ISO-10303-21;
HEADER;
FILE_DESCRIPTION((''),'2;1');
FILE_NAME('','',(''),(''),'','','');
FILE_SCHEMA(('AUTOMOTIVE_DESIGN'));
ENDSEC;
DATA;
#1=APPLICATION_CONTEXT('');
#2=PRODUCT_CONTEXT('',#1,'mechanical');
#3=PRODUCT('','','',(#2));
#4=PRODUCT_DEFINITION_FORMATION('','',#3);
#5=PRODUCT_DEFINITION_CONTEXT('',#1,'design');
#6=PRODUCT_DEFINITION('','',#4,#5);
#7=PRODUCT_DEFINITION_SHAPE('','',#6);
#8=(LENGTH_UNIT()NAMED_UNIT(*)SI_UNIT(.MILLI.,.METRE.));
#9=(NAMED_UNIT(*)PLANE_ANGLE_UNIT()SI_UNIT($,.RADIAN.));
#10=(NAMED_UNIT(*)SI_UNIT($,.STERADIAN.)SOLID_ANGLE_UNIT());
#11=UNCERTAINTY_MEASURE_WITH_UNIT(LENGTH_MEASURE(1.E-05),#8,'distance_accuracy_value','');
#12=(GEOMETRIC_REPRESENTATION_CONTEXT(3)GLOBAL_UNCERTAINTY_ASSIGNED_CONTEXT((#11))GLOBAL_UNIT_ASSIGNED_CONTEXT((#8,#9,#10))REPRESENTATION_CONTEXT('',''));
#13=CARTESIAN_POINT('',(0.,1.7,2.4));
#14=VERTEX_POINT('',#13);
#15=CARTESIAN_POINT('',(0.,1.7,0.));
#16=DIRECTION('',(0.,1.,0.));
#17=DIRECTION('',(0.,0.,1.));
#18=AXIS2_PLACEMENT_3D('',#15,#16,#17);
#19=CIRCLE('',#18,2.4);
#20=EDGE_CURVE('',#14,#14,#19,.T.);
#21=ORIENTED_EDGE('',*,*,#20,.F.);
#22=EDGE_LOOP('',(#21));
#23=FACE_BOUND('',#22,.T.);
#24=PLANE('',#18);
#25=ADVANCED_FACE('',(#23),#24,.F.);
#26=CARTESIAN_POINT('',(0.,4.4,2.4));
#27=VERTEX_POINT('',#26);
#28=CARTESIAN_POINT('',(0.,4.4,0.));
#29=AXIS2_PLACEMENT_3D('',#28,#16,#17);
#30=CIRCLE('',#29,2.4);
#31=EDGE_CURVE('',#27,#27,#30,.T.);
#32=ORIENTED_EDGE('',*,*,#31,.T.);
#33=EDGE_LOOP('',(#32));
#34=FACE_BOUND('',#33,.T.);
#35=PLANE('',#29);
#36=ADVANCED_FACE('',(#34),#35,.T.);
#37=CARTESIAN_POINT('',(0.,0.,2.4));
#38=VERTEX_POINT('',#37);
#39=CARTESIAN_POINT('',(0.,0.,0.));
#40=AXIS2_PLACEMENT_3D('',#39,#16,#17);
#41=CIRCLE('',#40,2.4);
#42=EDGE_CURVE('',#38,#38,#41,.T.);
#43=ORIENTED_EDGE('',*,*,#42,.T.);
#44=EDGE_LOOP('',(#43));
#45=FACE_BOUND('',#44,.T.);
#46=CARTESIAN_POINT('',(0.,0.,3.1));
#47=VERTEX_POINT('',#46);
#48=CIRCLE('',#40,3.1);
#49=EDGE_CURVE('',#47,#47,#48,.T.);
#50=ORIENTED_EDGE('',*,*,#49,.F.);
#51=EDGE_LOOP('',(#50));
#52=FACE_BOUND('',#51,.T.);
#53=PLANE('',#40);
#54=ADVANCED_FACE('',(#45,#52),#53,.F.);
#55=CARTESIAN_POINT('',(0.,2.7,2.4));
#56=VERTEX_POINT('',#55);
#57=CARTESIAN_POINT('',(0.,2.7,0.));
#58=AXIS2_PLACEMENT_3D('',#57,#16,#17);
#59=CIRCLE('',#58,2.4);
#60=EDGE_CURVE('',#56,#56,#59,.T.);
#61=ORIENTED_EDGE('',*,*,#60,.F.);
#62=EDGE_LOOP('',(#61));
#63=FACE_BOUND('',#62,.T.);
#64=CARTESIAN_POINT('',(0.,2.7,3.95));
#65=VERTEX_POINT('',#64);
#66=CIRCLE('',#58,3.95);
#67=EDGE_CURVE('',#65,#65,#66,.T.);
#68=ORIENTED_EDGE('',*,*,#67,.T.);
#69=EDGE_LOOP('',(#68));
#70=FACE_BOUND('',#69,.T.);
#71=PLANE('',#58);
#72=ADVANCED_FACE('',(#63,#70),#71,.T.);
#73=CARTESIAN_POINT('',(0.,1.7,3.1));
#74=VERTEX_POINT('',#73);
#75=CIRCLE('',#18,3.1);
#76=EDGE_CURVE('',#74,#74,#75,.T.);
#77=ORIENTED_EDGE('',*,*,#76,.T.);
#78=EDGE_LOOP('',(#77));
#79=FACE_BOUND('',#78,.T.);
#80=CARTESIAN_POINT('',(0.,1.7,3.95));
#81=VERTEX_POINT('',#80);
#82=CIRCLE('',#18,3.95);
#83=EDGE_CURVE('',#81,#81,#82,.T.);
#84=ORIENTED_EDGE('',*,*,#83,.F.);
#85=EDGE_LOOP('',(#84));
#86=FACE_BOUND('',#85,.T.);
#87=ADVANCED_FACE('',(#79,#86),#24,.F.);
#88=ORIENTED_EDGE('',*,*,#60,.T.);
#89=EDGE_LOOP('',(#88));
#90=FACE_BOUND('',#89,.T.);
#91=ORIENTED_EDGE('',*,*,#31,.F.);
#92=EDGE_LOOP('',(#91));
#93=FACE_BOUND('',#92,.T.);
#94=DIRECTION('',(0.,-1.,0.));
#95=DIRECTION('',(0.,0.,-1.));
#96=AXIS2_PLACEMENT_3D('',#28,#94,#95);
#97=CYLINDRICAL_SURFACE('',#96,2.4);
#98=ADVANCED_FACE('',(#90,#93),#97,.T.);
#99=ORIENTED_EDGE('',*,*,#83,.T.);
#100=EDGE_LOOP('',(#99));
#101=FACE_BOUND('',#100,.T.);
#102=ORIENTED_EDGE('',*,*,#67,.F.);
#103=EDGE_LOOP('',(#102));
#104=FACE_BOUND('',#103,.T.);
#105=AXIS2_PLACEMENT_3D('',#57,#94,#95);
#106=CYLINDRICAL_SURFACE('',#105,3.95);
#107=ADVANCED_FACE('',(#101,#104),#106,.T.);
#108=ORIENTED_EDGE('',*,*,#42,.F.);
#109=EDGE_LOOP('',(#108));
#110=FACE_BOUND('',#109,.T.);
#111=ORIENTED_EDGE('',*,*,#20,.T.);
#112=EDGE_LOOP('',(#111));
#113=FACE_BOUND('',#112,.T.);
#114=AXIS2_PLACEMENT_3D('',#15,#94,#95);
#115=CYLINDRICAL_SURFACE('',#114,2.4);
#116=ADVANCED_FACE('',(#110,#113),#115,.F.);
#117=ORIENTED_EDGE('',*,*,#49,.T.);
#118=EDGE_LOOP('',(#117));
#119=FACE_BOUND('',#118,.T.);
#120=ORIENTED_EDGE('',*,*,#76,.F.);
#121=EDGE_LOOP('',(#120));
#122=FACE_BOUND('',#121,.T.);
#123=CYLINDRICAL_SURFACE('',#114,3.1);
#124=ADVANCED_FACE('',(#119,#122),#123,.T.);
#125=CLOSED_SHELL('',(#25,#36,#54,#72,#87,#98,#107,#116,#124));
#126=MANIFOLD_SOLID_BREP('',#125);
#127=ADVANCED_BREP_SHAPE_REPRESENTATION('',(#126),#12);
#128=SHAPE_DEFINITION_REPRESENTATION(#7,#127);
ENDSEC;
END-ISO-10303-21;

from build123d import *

# Parameters (mm, degrees)
SKETCH1_R           = 3.1
SKETCH1_R_2         = 2.4
BOSS_EXTRUDE1_DEPTH = 1.7
SKETCH2_R           = 3.95
BOSS_EXTRUDE2_DEPTH = 1
SKETCH3_R           = 2.4
BOSS_EXTRUDE3_DEPTH = 1.7


with BuildPart() as part:
    # Sketch1 → Boss-Extrude1 (new body)
    with BuildSketch(Plane(origin=(0, 0, 0), x_dir=(1, 0, 0), z_dir=(0, 1, 0))):
        with Locations(Location((0, 0, 0), (0, 0, 270))):
            Circle(SKETCH1_R)
        with Locations(Location((0, 0, 0), (0, 0, 270))):
            Circle(SKETCH1_R_2, mode=Mode.SUBTRACT)
    extrude(amount=BOSS_EXTRUDE1_DEPTH)

    # Sketch2 → Boss-Extrude2 (add)
    with BuildSketch(Plane(origin=(0, 1.7, 0), x_dir=(1, 0, 0), z_dir=(0, 1, 0))):
        with Locations(Location((0, 0, 0), (0, 0, 270))):
            Circle(SKETCH2_R)
    extrude(amount=BOSS_EXTRUDE2_DEPTH)

    # Sketch3 → Boss-Extrude3 (add)
    with BuildSketch(Plane(origin=(0, 2.7, 0), x_dir=(1, 0, 0), z_dir=(0, 1, 0))):
        with Locations(Location((0, 0, 0), (0, 0, 270))):
            Circle(SKETCH3_R)
    extrude(amount=BOSS_EXTRUDE3_DEPTH)


solid = part.part
